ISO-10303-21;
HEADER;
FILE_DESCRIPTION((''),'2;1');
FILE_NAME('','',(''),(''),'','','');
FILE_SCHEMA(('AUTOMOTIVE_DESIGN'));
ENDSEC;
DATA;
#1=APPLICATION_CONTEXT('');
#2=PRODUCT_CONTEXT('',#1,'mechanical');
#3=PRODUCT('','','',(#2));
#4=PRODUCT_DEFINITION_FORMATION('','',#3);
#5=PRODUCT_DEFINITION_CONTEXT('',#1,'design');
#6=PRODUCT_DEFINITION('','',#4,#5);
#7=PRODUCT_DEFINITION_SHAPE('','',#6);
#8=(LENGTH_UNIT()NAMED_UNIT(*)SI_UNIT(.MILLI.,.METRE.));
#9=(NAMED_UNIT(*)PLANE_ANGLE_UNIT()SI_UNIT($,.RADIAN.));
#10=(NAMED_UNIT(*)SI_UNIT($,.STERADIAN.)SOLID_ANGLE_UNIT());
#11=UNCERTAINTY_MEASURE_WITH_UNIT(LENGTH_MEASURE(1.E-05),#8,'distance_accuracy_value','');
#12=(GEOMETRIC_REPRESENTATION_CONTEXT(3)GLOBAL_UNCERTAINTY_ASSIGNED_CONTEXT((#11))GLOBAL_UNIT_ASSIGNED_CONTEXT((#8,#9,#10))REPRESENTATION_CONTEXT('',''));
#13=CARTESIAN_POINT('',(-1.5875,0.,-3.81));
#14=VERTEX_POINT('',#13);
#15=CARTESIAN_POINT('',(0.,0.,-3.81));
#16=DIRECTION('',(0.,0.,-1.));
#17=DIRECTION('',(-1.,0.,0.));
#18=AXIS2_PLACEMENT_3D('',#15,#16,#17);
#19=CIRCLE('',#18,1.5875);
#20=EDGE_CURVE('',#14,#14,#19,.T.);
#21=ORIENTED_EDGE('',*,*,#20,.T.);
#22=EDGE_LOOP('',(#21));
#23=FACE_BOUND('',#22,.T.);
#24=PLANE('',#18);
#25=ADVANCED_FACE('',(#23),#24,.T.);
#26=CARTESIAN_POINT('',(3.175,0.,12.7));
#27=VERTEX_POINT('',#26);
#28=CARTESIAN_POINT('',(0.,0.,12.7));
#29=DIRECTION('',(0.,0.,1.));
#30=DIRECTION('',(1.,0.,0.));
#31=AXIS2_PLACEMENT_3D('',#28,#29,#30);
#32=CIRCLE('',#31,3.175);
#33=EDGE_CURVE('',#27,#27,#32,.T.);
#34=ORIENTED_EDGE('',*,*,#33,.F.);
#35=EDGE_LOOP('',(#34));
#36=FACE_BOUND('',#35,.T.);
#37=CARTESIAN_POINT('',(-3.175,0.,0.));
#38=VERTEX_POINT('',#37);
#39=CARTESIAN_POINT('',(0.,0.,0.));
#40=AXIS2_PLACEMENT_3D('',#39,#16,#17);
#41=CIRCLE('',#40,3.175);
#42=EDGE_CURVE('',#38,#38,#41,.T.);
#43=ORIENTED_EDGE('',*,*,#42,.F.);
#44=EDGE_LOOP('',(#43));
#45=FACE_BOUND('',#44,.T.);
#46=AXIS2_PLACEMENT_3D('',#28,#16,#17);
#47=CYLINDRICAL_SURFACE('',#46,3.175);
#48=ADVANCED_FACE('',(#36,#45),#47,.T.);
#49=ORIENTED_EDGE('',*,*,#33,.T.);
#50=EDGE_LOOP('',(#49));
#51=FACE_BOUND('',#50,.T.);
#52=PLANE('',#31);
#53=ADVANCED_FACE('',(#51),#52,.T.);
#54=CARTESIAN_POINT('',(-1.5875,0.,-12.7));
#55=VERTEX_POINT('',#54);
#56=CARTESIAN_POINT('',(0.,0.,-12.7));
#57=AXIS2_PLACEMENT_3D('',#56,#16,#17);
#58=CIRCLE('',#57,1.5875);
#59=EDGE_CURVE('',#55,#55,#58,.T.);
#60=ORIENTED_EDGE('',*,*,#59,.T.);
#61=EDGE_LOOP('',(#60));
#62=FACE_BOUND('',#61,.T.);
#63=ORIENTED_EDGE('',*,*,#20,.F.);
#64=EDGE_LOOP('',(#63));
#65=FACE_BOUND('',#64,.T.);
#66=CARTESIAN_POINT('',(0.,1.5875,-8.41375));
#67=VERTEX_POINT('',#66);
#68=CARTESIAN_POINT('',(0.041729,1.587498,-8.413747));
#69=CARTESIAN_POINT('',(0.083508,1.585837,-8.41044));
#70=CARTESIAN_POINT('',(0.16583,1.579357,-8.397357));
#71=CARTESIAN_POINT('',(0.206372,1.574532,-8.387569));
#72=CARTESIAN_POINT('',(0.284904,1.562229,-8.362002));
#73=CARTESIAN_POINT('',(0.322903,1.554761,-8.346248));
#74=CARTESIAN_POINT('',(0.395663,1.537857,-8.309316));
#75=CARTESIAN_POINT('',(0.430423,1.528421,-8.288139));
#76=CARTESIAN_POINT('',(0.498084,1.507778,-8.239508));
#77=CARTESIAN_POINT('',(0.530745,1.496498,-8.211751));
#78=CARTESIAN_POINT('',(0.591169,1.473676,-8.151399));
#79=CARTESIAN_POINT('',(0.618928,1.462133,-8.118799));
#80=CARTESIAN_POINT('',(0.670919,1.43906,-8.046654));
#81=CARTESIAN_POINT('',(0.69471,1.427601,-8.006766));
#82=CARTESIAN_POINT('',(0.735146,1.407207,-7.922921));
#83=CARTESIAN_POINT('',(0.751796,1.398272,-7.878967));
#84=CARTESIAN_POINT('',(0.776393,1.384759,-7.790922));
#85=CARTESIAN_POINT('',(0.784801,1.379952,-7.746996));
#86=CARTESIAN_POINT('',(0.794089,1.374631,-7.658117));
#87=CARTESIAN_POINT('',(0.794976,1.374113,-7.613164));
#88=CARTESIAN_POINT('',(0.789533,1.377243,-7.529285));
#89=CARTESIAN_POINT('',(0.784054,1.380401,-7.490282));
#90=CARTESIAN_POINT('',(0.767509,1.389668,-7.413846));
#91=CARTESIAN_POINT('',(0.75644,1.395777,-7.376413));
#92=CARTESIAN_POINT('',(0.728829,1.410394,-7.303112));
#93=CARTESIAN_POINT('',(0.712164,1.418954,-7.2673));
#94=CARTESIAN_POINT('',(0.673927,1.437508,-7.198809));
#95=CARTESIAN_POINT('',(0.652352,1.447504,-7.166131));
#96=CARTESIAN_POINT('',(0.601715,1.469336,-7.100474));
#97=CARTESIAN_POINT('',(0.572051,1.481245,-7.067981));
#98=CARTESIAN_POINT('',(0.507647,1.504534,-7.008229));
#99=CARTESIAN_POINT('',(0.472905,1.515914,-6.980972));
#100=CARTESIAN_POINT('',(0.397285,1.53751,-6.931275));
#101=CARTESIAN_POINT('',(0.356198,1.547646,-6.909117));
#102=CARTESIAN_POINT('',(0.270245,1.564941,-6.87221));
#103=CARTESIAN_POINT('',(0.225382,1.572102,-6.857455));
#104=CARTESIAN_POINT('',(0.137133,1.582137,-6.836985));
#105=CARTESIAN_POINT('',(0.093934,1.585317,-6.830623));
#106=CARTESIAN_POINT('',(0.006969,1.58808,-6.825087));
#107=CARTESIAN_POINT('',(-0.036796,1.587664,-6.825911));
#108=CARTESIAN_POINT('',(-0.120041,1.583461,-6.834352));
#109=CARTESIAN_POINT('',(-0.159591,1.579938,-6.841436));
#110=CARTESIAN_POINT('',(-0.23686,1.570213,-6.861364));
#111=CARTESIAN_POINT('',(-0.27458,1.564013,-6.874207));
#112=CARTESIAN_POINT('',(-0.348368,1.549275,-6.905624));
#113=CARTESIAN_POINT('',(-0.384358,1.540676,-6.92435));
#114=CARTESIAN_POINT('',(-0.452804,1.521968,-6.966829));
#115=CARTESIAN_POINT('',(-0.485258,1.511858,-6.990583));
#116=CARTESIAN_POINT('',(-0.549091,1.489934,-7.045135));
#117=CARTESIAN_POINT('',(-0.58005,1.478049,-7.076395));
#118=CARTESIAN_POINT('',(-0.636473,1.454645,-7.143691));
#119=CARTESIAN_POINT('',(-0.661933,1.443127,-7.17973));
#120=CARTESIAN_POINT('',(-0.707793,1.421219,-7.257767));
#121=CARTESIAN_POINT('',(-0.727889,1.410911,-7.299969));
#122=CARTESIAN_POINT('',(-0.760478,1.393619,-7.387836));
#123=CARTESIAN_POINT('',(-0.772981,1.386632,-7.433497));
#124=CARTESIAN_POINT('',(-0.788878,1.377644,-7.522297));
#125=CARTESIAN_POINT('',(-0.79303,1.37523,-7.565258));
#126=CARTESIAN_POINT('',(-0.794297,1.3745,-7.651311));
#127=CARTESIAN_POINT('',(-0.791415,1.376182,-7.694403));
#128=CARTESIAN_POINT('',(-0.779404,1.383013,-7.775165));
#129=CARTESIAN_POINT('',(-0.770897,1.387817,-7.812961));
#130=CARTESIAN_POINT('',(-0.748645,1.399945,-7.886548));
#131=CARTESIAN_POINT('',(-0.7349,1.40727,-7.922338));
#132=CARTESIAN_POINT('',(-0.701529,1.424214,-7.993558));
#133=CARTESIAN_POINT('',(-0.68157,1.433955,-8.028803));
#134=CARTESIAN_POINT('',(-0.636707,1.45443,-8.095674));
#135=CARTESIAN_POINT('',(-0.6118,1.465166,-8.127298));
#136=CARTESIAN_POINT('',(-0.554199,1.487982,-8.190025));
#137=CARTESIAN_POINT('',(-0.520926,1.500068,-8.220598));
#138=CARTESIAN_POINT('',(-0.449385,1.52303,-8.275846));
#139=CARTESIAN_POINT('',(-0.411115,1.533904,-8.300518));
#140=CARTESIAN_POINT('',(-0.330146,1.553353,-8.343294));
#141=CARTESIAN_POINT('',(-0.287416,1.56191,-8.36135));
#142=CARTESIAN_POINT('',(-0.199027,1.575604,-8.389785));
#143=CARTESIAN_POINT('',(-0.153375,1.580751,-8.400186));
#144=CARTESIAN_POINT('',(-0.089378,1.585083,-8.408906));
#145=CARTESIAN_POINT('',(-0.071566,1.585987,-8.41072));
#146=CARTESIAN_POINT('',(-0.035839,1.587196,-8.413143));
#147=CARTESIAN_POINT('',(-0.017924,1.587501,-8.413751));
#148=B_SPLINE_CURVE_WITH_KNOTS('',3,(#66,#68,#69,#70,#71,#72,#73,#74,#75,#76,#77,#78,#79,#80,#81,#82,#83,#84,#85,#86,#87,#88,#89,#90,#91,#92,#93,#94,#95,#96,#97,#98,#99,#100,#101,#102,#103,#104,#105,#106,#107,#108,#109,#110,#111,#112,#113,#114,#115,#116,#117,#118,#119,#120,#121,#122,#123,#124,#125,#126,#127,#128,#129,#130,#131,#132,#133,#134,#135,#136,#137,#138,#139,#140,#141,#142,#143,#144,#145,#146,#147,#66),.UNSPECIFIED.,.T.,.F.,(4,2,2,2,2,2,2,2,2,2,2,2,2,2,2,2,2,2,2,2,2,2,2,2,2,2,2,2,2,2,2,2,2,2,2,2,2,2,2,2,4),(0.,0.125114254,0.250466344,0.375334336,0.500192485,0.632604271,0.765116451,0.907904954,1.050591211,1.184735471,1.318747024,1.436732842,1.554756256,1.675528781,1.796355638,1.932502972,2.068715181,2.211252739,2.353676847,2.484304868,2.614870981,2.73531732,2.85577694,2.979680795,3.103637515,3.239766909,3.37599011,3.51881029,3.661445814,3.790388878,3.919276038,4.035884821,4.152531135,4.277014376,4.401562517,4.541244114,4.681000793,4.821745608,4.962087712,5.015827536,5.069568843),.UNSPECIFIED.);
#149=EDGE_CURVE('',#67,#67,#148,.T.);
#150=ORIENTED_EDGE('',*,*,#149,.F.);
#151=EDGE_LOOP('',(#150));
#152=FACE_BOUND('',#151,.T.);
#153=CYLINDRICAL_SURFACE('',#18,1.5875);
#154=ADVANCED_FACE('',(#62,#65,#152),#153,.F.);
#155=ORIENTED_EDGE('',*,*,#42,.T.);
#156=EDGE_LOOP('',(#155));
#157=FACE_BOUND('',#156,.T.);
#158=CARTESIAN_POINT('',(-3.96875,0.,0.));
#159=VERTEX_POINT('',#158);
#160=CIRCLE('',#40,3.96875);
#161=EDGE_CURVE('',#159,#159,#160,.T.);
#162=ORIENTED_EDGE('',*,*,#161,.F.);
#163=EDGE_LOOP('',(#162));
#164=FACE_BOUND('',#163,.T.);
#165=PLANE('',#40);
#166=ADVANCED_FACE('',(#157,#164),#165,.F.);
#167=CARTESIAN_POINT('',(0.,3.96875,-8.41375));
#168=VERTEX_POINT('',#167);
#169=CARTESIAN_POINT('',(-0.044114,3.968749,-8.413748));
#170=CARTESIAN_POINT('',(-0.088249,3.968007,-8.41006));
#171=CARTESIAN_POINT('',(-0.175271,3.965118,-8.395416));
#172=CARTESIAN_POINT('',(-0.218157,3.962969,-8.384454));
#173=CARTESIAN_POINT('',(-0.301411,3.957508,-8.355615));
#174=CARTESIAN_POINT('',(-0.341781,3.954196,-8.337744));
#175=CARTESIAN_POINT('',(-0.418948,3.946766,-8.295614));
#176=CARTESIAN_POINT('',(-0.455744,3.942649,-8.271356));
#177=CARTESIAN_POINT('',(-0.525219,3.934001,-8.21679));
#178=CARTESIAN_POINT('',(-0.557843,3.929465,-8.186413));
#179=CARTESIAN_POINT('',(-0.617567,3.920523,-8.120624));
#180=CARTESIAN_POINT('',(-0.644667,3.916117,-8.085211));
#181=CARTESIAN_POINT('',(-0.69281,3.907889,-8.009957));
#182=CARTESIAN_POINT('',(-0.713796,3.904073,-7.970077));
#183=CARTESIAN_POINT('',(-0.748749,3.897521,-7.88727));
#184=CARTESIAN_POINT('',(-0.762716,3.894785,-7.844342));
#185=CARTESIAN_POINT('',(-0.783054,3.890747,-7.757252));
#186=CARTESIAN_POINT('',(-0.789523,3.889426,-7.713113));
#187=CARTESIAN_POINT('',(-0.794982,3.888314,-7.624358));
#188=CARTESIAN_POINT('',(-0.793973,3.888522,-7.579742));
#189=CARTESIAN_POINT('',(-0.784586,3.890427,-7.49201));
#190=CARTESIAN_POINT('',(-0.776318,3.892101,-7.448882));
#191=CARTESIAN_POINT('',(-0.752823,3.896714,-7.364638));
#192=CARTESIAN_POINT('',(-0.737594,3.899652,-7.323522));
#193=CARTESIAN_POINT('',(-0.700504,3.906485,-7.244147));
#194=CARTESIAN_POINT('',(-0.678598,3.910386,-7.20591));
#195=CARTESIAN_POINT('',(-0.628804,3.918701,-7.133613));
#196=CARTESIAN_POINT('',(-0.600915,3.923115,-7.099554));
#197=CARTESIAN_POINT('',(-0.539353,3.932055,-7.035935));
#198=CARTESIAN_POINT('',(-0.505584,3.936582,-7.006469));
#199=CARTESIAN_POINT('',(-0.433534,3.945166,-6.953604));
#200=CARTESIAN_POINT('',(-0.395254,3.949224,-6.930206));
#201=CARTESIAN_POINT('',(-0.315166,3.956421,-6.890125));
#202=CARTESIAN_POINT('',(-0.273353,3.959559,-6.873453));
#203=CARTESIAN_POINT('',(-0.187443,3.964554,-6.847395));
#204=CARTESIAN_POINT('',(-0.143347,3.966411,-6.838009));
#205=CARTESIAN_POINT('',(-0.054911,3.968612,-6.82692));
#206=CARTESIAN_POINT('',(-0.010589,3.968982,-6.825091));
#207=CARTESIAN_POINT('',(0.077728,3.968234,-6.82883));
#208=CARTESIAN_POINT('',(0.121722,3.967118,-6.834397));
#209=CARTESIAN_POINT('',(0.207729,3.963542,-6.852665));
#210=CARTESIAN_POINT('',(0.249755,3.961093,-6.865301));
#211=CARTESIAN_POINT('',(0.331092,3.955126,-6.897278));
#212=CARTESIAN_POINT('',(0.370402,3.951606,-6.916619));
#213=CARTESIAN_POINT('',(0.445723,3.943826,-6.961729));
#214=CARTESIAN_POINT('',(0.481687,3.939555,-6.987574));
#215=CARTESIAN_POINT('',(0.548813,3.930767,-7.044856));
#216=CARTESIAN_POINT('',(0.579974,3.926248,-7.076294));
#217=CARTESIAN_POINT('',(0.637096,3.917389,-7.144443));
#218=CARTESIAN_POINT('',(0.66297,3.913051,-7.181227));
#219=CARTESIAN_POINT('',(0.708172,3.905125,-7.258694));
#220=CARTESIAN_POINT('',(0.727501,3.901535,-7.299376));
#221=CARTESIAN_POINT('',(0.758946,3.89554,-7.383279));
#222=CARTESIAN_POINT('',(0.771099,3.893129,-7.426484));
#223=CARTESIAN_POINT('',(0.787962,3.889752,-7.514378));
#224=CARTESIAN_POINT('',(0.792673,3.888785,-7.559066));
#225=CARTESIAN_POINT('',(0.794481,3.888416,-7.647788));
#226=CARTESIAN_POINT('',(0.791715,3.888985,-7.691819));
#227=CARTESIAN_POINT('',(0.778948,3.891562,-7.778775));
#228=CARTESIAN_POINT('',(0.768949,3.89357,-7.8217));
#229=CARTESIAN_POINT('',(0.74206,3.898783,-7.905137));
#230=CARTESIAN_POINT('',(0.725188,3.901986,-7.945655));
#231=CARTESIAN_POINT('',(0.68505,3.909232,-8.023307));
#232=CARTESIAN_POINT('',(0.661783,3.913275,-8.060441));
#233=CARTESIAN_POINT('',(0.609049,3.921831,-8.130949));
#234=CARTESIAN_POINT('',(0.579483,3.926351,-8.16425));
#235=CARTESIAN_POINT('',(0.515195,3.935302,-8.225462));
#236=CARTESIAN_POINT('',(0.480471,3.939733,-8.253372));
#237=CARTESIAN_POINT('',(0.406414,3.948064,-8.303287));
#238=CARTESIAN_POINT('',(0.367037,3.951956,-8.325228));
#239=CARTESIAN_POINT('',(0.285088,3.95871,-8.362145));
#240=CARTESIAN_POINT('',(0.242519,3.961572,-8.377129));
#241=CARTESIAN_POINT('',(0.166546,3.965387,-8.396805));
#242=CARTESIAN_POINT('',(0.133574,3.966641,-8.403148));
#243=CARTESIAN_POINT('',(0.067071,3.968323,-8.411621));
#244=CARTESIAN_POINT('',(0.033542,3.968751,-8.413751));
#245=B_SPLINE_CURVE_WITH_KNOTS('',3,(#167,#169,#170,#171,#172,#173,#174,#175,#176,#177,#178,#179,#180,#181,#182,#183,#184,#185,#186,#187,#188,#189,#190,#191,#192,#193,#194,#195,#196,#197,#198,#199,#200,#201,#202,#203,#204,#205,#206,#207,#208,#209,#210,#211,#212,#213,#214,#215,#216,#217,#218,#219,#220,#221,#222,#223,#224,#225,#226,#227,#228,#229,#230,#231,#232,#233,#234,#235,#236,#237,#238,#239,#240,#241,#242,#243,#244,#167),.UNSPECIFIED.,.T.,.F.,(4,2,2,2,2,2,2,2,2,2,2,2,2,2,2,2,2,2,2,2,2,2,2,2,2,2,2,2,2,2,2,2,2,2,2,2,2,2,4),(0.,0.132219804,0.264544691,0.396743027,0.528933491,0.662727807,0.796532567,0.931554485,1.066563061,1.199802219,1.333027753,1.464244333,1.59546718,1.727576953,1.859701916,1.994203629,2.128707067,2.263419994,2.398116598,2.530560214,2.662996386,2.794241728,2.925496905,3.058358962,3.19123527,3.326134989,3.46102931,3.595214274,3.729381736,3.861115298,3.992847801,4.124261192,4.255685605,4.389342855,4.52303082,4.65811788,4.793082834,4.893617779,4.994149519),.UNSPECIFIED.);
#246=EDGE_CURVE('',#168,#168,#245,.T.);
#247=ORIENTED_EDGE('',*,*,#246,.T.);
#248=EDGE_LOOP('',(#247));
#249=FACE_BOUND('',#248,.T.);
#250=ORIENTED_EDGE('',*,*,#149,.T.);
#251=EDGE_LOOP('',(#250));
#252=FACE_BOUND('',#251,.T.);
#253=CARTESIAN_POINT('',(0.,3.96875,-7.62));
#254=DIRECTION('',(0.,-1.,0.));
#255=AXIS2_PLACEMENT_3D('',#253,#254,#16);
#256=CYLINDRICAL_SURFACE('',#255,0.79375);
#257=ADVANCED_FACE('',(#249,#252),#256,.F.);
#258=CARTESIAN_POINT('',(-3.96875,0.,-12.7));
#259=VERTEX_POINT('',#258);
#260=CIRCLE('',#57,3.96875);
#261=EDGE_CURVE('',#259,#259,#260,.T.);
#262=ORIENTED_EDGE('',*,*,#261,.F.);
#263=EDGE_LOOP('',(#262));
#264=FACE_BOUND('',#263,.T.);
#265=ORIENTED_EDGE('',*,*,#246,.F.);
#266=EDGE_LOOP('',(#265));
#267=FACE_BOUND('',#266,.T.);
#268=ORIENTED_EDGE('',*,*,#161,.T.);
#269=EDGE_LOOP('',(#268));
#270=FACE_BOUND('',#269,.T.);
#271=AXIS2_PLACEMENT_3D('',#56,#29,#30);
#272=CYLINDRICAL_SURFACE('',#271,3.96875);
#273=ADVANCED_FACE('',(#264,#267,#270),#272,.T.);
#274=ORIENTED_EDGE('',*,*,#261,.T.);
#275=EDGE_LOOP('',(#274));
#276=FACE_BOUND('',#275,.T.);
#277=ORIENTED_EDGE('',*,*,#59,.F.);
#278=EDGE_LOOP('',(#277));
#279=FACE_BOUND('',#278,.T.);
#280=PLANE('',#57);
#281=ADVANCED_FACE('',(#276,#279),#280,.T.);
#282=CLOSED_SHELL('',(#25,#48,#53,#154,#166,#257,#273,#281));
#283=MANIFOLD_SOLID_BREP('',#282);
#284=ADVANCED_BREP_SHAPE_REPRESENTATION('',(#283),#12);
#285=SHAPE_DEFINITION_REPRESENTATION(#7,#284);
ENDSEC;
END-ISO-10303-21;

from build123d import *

# Parameters (mm, degrees)
SKETCH1_R           = 3.175
BOSS_EXTRUDE1_DEPTH = 12.7
SKETCH3_R           = 3.96875
BOSS_EXTRUDE2_DEPTH = 12.7
SKETCH4_R           = 1.5875
CUT_EXTRUDE2_DEPTH  = 8.89
SKETCH5_R           = 0.79375
CUT_EXTRUDE3_DEPTH  = 4.96875


with BuildPart() as part:
    # Sketch1 → Boss-Extrude1 (new body)
    with BuildSketch(Plane.XY):
        Circle(SKETCH1_R)
    extrude(amount=BOSS_EXTRUDE1_DEPTH)

    # Sketch3 → Boss-Extrude2 (add)
    with BuildSketch(Plane(origin=(0, 0, 0), x_dir=(-1, 0, 0), z_dir=(0, 0, -1))):
        Circle(SKETCH3_R)
    extrude(amount=BOSS_EXTRUDE2_DEPTH)

    # Sketch4 → Cut-Extrude2 (cut)
    with BuildSketch(Plane(origin=(0, 0, -12.7), x_dir=(-1, 0, 0), z_dir=(0, 0, -1))):
        Circle(SKETCH4_R)
    extrude(amount=-CUT_EXTRUDE2_DEPTH, mode=Mode.SUBTRACT)

    # Sketch5 → Cut-Extrude3 (cut, through all)
    with BuildSketch(Plane(origin=(0, 0, 0), x_dir=(1, 0, 0), z_dir=(0, 1, 0))):
        with Locations((0, 7.62)):
            Circle(SKETCH5_R)
    extrude(amount=CUT_EXTRUDE3_DEPTH, mode=Mode.SUBTRACT)


solid = part.part
